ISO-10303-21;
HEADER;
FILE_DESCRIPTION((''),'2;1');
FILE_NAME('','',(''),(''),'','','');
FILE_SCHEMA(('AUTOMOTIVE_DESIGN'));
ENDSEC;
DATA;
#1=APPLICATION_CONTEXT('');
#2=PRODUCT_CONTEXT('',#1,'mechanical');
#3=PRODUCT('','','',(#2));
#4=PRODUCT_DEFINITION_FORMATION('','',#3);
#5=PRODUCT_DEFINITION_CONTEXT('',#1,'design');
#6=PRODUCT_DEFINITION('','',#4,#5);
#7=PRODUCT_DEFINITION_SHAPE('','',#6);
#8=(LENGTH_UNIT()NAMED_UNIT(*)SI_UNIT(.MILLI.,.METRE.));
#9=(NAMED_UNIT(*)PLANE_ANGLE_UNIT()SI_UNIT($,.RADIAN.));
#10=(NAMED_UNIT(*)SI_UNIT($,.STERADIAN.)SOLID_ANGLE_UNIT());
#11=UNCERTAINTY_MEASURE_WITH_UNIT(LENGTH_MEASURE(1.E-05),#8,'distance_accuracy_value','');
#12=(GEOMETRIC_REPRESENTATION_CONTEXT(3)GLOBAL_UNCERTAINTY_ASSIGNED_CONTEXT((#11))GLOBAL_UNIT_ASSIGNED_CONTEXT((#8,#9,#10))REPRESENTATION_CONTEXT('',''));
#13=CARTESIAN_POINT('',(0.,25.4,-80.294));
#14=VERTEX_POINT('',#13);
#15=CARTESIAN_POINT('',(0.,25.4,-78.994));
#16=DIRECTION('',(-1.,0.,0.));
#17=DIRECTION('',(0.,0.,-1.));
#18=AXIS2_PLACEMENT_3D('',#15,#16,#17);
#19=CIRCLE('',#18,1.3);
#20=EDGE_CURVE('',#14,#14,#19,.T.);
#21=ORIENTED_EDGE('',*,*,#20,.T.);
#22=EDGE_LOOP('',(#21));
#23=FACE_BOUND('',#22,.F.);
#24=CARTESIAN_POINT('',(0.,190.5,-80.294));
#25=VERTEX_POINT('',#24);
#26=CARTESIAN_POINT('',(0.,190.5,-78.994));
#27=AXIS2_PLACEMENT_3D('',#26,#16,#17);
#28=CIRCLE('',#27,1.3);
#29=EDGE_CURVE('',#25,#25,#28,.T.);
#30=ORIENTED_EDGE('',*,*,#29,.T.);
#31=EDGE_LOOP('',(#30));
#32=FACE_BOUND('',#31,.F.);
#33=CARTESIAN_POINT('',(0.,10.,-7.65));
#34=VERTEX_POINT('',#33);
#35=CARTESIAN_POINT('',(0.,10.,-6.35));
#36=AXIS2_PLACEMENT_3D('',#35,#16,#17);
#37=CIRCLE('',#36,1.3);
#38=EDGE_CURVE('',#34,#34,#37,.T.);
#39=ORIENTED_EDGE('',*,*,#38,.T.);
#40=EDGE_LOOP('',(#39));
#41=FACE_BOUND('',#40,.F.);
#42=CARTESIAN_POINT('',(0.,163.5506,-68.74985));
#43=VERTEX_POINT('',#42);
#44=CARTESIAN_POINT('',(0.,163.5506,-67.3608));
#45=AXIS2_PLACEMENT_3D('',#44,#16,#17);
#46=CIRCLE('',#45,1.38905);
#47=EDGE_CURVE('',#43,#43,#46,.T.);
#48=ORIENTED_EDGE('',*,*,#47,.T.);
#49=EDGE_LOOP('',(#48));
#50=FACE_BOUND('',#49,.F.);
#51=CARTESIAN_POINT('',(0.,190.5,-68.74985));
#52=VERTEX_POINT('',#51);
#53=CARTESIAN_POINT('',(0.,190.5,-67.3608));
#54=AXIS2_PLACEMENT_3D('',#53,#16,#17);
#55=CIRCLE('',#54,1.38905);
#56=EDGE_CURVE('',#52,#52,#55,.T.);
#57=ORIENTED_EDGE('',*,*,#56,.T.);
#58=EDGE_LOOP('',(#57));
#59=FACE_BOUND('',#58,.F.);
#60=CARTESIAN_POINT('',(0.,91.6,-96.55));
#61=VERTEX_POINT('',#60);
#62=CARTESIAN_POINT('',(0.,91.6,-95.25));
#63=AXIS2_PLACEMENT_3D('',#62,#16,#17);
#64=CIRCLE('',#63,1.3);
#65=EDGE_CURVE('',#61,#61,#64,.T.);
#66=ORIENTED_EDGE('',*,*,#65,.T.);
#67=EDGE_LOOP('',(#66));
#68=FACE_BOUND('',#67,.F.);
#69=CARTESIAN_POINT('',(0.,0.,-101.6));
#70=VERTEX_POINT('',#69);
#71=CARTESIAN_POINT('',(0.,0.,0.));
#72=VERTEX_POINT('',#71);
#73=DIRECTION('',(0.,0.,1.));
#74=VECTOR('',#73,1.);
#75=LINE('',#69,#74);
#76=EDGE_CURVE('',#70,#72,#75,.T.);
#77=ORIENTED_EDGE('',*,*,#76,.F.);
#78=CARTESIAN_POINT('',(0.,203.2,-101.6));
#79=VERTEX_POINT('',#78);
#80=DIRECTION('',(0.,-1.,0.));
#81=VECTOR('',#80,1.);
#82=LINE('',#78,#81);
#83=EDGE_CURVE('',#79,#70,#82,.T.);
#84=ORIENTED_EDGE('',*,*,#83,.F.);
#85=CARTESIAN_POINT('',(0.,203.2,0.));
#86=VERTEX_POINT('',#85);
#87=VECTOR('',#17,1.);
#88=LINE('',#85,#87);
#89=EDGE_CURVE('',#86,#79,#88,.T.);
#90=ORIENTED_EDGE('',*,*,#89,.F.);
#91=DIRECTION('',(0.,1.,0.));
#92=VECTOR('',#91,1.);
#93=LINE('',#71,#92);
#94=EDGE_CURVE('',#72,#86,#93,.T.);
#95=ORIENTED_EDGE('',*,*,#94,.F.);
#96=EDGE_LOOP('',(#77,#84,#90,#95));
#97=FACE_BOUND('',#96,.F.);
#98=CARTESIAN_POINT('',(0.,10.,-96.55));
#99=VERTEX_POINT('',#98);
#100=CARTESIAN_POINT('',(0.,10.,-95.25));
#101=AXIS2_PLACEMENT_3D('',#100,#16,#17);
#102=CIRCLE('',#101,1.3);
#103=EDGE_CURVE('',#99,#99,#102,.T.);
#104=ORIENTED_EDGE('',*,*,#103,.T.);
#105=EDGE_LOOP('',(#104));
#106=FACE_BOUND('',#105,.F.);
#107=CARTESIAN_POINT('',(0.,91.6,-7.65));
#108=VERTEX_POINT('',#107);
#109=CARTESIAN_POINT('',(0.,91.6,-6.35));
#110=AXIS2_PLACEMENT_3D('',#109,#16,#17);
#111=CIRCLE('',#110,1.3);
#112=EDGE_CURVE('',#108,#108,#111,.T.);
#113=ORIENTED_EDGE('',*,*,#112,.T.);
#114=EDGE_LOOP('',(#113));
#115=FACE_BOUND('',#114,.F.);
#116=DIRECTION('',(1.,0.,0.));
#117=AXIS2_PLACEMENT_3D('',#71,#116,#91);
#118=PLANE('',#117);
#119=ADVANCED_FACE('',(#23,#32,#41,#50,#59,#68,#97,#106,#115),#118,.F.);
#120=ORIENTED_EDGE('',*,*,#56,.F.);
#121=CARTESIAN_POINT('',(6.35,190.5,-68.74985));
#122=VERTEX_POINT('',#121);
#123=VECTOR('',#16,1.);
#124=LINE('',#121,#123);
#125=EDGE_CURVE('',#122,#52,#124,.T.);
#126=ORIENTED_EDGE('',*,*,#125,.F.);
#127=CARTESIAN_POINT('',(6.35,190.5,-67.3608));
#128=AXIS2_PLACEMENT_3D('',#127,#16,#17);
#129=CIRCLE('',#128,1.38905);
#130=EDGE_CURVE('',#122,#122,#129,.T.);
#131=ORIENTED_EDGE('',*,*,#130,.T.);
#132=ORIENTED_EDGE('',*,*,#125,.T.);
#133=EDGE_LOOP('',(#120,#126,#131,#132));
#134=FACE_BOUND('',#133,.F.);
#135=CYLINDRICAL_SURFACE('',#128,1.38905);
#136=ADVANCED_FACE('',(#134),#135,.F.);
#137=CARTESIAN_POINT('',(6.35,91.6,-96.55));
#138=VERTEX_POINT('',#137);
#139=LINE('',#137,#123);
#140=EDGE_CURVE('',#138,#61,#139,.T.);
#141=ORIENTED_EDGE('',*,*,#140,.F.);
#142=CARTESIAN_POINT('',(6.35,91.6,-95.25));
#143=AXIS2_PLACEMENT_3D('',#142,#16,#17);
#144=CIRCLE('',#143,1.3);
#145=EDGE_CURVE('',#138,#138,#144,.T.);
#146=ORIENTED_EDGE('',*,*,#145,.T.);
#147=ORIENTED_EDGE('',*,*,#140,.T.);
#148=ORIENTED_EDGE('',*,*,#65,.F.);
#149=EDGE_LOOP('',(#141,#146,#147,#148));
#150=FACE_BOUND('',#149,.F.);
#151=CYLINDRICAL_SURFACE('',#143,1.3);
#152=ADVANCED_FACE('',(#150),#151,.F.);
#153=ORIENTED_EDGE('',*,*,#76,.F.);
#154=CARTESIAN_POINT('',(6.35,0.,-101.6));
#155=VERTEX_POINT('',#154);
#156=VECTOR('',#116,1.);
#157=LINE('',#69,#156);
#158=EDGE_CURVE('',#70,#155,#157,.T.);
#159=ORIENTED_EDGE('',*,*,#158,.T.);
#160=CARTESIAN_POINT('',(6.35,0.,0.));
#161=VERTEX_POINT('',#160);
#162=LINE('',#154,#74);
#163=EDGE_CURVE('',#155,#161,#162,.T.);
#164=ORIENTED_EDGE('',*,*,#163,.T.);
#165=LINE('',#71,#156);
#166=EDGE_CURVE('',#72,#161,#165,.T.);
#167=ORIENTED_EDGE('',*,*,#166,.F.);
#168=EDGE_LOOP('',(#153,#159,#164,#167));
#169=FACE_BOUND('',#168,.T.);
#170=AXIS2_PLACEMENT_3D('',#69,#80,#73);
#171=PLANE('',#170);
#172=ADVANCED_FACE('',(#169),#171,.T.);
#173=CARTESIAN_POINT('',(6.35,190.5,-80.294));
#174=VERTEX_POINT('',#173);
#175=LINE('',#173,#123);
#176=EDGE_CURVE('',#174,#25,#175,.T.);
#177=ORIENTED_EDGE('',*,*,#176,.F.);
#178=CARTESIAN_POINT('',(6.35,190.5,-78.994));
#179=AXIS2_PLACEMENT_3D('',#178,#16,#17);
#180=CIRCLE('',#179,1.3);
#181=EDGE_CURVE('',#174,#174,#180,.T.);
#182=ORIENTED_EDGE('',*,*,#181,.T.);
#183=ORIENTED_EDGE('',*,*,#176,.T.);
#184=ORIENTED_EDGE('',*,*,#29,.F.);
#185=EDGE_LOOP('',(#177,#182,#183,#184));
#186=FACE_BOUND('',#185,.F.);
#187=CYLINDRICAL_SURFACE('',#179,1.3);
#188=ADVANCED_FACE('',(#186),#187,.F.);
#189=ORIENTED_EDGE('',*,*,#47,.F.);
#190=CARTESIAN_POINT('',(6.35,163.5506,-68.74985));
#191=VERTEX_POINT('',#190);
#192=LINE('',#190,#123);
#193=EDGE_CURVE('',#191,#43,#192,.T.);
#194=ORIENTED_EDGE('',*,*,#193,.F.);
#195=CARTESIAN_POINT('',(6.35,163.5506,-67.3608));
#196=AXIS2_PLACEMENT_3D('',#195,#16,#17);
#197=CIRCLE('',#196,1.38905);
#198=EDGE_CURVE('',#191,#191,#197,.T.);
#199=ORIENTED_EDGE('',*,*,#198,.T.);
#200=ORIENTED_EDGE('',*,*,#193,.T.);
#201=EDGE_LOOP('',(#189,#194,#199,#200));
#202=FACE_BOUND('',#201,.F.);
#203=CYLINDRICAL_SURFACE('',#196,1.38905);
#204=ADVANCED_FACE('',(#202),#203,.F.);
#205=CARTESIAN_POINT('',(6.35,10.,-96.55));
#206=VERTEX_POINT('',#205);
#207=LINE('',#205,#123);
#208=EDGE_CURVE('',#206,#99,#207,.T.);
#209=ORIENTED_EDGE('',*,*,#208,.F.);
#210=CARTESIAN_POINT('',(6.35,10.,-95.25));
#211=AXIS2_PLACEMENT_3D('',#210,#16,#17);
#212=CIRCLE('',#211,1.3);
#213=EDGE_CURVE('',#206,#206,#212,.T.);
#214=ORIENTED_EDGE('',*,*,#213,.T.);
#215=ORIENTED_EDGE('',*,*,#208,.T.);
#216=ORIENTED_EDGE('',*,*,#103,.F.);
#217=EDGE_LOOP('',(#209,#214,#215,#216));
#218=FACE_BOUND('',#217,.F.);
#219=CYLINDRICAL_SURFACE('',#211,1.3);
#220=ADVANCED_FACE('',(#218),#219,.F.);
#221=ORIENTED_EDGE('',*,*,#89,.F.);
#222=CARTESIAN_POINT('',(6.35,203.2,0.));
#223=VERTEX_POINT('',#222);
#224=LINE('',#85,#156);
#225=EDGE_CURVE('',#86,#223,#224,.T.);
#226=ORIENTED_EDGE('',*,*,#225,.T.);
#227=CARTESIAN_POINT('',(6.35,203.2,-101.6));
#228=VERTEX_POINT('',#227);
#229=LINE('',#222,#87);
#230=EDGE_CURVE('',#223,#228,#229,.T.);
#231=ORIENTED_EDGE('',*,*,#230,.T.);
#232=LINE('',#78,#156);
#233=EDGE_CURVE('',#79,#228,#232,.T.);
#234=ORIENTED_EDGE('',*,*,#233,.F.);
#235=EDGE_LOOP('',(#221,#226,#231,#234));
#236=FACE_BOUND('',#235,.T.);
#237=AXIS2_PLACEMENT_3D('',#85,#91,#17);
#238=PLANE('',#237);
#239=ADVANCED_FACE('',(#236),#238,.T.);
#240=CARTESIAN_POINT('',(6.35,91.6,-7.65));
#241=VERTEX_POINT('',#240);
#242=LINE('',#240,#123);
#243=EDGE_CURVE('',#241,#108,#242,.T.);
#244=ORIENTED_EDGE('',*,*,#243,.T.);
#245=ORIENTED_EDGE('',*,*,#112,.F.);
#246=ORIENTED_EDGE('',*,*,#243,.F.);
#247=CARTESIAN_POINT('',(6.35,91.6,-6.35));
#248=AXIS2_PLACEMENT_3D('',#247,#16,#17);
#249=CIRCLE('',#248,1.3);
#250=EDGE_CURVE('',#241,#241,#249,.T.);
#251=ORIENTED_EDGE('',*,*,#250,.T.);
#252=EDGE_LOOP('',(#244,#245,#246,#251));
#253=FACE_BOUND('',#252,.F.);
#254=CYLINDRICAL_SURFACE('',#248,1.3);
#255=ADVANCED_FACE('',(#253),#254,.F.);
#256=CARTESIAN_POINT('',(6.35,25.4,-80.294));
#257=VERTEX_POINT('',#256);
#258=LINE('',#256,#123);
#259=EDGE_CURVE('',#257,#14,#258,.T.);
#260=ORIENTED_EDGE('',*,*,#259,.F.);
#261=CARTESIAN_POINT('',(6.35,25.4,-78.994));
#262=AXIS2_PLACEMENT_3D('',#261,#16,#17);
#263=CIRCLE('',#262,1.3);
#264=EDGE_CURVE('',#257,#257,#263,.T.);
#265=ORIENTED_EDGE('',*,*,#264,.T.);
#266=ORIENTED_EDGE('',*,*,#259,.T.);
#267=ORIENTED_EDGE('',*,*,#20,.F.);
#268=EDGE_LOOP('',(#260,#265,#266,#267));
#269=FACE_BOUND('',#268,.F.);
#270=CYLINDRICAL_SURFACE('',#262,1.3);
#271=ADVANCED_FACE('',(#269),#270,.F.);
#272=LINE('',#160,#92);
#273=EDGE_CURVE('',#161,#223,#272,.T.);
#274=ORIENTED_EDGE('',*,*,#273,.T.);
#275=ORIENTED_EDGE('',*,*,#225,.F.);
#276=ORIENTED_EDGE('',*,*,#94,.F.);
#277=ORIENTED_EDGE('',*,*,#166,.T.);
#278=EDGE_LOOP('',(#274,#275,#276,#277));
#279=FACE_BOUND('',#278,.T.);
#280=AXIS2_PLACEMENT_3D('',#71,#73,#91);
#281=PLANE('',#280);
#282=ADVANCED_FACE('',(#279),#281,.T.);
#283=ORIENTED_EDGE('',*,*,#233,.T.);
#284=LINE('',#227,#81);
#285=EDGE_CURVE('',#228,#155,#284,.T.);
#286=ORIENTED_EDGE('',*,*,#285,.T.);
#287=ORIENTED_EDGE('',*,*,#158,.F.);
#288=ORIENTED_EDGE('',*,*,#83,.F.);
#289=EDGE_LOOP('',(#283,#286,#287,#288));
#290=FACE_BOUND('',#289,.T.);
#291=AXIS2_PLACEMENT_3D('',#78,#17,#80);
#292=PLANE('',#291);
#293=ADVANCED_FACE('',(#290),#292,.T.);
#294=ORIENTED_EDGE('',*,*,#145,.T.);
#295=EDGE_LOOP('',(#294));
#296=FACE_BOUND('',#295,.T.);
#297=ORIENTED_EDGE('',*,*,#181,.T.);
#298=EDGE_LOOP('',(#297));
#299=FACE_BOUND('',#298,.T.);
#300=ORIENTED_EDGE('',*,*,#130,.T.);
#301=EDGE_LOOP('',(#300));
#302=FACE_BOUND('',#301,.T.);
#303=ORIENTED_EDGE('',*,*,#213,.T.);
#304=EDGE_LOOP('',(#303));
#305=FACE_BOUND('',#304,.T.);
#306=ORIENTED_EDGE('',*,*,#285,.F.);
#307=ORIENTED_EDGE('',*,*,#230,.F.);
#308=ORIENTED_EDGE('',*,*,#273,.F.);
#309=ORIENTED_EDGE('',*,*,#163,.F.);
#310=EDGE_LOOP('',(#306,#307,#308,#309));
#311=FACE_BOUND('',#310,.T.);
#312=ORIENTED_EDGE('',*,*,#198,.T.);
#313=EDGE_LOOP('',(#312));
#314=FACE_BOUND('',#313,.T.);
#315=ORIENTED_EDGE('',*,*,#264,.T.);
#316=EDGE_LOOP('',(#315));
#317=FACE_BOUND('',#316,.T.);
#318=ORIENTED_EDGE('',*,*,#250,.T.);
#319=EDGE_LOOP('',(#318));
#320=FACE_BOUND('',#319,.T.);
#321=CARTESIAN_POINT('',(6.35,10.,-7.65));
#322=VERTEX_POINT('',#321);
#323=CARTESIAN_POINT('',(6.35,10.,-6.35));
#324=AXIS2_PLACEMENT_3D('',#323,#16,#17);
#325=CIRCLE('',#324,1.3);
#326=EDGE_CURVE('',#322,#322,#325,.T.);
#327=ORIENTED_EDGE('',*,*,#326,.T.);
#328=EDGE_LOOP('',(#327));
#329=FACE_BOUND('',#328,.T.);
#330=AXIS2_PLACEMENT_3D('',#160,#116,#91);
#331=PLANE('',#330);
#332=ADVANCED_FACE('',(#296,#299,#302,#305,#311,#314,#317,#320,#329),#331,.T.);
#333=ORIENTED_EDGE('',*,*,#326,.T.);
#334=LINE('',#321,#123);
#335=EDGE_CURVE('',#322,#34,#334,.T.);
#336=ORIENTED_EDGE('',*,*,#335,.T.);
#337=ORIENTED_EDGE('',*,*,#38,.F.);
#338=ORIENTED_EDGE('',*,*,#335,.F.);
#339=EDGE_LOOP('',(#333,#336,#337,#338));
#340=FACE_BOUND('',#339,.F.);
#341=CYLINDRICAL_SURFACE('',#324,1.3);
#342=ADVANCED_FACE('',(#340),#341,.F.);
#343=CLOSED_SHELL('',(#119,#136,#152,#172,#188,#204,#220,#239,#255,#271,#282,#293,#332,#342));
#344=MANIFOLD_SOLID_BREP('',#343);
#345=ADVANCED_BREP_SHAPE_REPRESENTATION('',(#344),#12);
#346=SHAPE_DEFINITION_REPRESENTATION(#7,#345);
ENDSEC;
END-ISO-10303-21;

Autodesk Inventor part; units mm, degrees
ref_plane "YZ Plane" through (0, 0, 0) normal (1, 0, 0) x (0, 1, 0)
ref_plane "XZ Plane" through (0, 0, 0) normal (0, 1, 0) x (-1, 0, 0)
ref_plane "XY Plane" through (0, 0, 0) normal (0, 0, 1) x (1, 0, 0)
sketch "Sketch1" plane through (0, 0, 0) normal (1, 0, 0) x (0, 1, 0)
  line L0 (0, 0) -> (203.2, 0)
  line L1 (203.2, 0) -> (203.2, -101.6)
  line L2 (203.2, -101.6) -> (0, -101.6)
  line L3 (0, -101.6) -> (0, 0)
  dimension "d0" = 203.2
  dimension "d1" = 101.6
extrude "Extrusion1" add sketch "Sketch1" along normal blind 6.35
sketch "Sketch2" plane through (6.35, 0, 0) normal (1, 0, 0) x (0, 0, -1)
  line L0 (0, 0) -> (101.6, 0) projected
  line L1 (0, 203.2) -> (0, 0) projected
  line L2 (101.6, 0) -> (101.6, 203.2) projected
  line L3 (101.6, 203.2) -> (0, 203.2) projected
  point P0 (78.994, 25.4)
  point P1 (78.994, 190.5)
  dimension "d4" = 25.4
  dimension "d5" = 78.994
  dimension "d6" = 12.7
  dimension "d7" = 78.994
hole "Hole1" at (6.35, 25.4, -78.994) at (6.35, 190.5, -78.994) direction (-1, 0, 0) diameter 2.6 end through all
sketch "Sketch3" plane through (6.35, 0, 0) normal (1, 0, 0) x (0, 0, -1)
  line L0 (0, 203.2) -> (0, 0) projected
  line L1 (0, 0) -> (101.6, 0) projected
  line L2 (101.6, 0) -> (101.6, 203.2) projected
  line L3 (101.6, 203.2) -> (0, 203.2) projected
  point P0 (6.35, 10)
  point P1 (95.25, 10)
  point P2 (6.35, 91.6)
  point P3 (95.25, 91.6)
  dimension "d15" = 10
  dimension "d16" = 10
  dimension "d17" = 6.35
  dimension "d18" = 6.35
  dimension "d19" = 91.6
  dimension "d20" = 6.35
  dimension "d21" = 6.35
  dimension "d22" = 91.6
hole "Hole2" at (6.35, 10, -6.35) at (6.35, 10, -95.25) at (6.35, 91.6, -6.35) at (6.35, 91.6, -95.25) direction (-1, 0, 0) diameter 2.6 end through all
sketch "Sketch4" plane through (6.35, 0, 0) normal (1, 0, 0) x (0, 0, -1)
  line L0 (101.6, 203.2) -> (0, 203.2) projected
  line L1 (0, 203.2) -> (0, 0) projected
  line L2 (101.6, 0) -> (101.6, 203.2) projected
  line L3 (0, 0) -> (101.6, 0) projected
  circle A0 centre (78.994, 190.5) radius 1.3 projected
  point P0 (67.3608, 190.5)
  point P1 (67.3608, 163.5506)
  dimension "d30" = 12.7
  dimension "d32" = 26.9494
  dimension "d41" = 67.3608
  dimension "d42" = 67.3608
hole "Hole3" at (6.35, 190.5, -67.3608) at (6.35, 163.5506, -67.3608) direction (-1, 0, 0) diameter 2.7781 end through all
properties part number "LiftPlate"
